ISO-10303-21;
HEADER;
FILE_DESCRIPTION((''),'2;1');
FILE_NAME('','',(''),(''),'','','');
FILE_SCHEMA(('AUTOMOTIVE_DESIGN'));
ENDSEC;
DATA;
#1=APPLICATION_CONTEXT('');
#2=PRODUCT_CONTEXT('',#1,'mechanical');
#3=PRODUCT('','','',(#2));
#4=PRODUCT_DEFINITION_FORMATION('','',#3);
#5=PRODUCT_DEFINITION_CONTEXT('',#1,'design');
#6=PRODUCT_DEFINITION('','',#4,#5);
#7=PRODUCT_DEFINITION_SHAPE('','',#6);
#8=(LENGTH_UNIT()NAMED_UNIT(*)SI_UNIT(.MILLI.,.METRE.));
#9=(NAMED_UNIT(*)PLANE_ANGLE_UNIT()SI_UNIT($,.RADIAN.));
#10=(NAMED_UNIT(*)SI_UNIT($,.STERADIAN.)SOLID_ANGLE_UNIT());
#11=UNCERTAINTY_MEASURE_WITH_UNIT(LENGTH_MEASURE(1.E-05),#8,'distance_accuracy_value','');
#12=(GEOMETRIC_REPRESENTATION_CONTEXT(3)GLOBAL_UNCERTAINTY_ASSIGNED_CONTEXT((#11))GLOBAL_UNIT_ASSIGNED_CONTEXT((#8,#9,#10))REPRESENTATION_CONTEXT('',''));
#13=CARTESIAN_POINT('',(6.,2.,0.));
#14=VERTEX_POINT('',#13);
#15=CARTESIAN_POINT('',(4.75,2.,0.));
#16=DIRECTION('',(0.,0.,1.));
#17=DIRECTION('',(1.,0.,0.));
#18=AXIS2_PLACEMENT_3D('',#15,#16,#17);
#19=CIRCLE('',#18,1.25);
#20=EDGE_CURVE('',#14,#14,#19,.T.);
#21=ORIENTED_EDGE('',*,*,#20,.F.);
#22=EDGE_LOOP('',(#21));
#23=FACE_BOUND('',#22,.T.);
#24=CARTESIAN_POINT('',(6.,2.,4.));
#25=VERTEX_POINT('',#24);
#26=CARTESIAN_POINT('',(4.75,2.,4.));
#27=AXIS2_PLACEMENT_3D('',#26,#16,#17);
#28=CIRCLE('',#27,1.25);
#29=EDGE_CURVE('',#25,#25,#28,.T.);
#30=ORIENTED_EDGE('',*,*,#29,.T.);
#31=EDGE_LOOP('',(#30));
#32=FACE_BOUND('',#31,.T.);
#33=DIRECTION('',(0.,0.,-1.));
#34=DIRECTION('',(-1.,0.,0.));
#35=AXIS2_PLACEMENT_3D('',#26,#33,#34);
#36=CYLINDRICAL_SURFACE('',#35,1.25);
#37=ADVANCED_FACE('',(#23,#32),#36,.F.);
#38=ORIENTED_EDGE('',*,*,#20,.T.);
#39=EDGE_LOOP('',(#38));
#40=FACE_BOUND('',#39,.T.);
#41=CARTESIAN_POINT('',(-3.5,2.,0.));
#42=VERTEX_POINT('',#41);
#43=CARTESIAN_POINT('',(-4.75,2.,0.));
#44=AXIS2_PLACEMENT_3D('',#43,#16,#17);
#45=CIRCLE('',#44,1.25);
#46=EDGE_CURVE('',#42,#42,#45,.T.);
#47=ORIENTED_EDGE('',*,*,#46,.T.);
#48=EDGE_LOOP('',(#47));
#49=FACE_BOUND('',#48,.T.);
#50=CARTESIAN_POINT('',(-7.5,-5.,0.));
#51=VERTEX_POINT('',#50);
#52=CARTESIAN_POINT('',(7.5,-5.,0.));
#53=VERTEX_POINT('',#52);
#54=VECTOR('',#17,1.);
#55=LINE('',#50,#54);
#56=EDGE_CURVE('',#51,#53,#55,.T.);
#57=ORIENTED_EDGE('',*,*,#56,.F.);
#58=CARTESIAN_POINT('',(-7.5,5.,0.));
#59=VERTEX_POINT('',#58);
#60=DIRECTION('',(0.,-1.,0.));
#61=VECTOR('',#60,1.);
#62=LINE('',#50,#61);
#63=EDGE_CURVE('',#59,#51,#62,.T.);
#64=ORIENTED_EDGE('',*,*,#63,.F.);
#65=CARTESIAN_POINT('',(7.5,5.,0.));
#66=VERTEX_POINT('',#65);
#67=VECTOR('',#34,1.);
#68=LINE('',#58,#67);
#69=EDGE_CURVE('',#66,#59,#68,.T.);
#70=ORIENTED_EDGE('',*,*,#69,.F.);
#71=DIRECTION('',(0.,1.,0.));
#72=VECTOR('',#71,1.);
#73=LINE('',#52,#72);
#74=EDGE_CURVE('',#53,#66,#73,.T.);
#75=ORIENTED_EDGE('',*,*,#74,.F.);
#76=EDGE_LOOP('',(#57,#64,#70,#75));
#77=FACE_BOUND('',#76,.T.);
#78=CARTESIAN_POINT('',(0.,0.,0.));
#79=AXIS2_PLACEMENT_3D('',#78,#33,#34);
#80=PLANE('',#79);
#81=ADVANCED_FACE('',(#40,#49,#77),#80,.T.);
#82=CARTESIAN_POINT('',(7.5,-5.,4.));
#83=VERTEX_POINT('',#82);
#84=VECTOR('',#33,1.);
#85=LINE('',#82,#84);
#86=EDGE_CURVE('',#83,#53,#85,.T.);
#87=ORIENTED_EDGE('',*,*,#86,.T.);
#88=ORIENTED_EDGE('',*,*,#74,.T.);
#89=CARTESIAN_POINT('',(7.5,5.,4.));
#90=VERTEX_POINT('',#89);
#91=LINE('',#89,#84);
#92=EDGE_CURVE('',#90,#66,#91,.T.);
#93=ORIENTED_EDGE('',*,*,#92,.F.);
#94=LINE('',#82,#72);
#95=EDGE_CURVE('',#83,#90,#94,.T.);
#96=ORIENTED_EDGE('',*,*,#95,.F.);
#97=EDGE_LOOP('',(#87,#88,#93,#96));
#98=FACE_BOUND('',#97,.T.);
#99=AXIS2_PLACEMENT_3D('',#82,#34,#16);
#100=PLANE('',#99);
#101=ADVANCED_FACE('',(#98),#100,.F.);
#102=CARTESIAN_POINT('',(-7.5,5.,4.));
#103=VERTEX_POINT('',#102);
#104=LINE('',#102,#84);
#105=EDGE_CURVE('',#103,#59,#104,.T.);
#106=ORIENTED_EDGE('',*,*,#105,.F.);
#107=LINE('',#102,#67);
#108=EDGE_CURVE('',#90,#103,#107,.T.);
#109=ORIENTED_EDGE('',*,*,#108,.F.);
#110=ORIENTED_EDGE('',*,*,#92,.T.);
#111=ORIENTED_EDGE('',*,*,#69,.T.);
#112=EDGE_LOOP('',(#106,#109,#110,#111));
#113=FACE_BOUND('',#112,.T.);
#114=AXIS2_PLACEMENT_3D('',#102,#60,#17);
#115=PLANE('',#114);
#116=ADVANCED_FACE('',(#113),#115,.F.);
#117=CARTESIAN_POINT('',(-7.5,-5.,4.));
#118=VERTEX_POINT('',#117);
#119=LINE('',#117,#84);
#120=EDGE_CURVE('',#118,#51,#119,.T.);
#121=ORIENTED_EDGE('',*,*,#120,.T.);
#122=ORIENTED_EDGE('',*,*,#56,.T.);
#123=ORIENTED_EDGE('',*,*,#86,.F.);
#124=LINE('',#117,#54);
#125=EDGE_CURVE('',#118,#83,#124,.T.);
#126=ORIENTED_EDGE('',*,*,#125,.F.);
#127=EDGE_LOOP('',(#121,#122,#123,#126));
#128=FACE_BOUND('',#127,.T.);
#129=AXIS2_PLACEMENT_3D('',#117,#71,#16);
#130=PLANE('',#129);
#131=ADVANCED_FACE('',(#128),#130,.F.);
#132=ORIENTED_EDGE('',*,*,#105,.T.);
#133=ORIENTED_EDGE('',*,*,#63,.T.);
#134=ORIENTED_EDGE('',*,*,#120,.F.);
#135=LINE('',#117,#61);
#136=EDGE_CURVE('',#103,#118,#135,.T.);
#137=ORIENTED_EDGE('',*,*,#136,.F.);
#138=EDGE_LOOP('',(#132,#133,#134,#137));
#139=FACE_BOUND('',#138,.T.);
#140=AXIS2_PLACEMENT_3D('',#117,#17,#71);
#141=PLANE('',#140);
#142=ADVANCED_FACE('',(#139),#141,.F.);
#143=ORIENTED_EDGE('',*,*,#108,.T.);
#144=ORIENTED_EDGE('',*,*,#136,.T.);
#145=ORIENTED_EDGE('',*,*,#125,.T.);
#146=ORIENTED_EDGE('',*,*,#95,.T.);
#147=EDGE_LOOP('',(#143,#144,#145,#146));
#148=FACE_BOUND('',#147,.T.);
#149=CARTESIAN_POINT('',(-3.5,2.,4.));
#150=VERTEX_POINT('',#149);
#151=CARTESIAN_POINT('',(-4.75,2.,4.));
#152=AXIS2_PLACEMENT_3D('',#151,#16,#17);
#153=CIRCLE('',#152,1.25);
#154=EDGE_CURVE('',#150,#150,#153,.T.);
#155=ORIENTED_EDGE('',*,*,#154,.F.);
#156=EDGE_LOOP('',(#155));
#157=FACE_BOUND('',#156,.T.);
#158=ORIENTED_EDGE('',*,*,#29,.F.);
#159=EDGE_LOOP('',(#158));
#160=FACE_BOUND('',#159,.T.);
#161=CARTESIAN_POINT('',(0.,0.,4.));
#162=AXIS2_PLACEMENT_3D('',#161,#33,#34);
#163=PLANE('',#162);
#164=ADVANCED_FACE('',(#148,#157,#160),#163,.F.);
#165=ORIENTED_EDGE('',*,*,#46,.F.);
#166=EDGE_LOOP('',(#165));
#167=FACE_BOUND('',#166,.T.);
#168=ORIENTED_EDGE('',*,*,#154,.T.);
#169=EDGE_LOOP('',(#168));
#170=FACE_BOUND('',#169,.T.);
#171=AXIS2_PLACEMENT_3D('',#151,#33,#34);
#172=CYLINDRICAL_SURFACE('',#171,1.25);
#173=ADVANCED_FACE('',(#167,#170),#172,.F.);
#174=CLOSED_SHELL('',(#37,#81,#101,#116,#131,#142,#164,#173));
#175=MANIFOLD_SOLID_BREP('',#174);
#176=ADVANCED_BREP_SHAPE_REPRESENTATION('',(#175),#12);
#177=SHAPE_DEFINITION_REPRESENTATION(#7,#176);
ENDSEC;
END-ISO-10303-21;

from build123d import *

# Parameters (mm, degrees)
SKETCH_1_W      = 15
SKETCH_1_H      = 10
SKETCH_1_R      = 1.25
EXTRUDE_1_DEPTH = 4


with BuildPart() as part:
    # 草图1 → 凸台-拉伸1 (new body)
    with BuildSketch(Plane.XY):
        Rectangle(SKETCH_1_W, SKETCH_1_H)
        with Locations((-4.75, 2)):
            Circle(SKETCH_1_R, mode=Mode.SUBTRACT)
        with Locations((4.75, 2)):
            Circle(SKETCH_1_R, mode=Mode.SUBTRACT)
    extrude(amount=EXTRUDE_1_DEPTH)


solid = part.part
